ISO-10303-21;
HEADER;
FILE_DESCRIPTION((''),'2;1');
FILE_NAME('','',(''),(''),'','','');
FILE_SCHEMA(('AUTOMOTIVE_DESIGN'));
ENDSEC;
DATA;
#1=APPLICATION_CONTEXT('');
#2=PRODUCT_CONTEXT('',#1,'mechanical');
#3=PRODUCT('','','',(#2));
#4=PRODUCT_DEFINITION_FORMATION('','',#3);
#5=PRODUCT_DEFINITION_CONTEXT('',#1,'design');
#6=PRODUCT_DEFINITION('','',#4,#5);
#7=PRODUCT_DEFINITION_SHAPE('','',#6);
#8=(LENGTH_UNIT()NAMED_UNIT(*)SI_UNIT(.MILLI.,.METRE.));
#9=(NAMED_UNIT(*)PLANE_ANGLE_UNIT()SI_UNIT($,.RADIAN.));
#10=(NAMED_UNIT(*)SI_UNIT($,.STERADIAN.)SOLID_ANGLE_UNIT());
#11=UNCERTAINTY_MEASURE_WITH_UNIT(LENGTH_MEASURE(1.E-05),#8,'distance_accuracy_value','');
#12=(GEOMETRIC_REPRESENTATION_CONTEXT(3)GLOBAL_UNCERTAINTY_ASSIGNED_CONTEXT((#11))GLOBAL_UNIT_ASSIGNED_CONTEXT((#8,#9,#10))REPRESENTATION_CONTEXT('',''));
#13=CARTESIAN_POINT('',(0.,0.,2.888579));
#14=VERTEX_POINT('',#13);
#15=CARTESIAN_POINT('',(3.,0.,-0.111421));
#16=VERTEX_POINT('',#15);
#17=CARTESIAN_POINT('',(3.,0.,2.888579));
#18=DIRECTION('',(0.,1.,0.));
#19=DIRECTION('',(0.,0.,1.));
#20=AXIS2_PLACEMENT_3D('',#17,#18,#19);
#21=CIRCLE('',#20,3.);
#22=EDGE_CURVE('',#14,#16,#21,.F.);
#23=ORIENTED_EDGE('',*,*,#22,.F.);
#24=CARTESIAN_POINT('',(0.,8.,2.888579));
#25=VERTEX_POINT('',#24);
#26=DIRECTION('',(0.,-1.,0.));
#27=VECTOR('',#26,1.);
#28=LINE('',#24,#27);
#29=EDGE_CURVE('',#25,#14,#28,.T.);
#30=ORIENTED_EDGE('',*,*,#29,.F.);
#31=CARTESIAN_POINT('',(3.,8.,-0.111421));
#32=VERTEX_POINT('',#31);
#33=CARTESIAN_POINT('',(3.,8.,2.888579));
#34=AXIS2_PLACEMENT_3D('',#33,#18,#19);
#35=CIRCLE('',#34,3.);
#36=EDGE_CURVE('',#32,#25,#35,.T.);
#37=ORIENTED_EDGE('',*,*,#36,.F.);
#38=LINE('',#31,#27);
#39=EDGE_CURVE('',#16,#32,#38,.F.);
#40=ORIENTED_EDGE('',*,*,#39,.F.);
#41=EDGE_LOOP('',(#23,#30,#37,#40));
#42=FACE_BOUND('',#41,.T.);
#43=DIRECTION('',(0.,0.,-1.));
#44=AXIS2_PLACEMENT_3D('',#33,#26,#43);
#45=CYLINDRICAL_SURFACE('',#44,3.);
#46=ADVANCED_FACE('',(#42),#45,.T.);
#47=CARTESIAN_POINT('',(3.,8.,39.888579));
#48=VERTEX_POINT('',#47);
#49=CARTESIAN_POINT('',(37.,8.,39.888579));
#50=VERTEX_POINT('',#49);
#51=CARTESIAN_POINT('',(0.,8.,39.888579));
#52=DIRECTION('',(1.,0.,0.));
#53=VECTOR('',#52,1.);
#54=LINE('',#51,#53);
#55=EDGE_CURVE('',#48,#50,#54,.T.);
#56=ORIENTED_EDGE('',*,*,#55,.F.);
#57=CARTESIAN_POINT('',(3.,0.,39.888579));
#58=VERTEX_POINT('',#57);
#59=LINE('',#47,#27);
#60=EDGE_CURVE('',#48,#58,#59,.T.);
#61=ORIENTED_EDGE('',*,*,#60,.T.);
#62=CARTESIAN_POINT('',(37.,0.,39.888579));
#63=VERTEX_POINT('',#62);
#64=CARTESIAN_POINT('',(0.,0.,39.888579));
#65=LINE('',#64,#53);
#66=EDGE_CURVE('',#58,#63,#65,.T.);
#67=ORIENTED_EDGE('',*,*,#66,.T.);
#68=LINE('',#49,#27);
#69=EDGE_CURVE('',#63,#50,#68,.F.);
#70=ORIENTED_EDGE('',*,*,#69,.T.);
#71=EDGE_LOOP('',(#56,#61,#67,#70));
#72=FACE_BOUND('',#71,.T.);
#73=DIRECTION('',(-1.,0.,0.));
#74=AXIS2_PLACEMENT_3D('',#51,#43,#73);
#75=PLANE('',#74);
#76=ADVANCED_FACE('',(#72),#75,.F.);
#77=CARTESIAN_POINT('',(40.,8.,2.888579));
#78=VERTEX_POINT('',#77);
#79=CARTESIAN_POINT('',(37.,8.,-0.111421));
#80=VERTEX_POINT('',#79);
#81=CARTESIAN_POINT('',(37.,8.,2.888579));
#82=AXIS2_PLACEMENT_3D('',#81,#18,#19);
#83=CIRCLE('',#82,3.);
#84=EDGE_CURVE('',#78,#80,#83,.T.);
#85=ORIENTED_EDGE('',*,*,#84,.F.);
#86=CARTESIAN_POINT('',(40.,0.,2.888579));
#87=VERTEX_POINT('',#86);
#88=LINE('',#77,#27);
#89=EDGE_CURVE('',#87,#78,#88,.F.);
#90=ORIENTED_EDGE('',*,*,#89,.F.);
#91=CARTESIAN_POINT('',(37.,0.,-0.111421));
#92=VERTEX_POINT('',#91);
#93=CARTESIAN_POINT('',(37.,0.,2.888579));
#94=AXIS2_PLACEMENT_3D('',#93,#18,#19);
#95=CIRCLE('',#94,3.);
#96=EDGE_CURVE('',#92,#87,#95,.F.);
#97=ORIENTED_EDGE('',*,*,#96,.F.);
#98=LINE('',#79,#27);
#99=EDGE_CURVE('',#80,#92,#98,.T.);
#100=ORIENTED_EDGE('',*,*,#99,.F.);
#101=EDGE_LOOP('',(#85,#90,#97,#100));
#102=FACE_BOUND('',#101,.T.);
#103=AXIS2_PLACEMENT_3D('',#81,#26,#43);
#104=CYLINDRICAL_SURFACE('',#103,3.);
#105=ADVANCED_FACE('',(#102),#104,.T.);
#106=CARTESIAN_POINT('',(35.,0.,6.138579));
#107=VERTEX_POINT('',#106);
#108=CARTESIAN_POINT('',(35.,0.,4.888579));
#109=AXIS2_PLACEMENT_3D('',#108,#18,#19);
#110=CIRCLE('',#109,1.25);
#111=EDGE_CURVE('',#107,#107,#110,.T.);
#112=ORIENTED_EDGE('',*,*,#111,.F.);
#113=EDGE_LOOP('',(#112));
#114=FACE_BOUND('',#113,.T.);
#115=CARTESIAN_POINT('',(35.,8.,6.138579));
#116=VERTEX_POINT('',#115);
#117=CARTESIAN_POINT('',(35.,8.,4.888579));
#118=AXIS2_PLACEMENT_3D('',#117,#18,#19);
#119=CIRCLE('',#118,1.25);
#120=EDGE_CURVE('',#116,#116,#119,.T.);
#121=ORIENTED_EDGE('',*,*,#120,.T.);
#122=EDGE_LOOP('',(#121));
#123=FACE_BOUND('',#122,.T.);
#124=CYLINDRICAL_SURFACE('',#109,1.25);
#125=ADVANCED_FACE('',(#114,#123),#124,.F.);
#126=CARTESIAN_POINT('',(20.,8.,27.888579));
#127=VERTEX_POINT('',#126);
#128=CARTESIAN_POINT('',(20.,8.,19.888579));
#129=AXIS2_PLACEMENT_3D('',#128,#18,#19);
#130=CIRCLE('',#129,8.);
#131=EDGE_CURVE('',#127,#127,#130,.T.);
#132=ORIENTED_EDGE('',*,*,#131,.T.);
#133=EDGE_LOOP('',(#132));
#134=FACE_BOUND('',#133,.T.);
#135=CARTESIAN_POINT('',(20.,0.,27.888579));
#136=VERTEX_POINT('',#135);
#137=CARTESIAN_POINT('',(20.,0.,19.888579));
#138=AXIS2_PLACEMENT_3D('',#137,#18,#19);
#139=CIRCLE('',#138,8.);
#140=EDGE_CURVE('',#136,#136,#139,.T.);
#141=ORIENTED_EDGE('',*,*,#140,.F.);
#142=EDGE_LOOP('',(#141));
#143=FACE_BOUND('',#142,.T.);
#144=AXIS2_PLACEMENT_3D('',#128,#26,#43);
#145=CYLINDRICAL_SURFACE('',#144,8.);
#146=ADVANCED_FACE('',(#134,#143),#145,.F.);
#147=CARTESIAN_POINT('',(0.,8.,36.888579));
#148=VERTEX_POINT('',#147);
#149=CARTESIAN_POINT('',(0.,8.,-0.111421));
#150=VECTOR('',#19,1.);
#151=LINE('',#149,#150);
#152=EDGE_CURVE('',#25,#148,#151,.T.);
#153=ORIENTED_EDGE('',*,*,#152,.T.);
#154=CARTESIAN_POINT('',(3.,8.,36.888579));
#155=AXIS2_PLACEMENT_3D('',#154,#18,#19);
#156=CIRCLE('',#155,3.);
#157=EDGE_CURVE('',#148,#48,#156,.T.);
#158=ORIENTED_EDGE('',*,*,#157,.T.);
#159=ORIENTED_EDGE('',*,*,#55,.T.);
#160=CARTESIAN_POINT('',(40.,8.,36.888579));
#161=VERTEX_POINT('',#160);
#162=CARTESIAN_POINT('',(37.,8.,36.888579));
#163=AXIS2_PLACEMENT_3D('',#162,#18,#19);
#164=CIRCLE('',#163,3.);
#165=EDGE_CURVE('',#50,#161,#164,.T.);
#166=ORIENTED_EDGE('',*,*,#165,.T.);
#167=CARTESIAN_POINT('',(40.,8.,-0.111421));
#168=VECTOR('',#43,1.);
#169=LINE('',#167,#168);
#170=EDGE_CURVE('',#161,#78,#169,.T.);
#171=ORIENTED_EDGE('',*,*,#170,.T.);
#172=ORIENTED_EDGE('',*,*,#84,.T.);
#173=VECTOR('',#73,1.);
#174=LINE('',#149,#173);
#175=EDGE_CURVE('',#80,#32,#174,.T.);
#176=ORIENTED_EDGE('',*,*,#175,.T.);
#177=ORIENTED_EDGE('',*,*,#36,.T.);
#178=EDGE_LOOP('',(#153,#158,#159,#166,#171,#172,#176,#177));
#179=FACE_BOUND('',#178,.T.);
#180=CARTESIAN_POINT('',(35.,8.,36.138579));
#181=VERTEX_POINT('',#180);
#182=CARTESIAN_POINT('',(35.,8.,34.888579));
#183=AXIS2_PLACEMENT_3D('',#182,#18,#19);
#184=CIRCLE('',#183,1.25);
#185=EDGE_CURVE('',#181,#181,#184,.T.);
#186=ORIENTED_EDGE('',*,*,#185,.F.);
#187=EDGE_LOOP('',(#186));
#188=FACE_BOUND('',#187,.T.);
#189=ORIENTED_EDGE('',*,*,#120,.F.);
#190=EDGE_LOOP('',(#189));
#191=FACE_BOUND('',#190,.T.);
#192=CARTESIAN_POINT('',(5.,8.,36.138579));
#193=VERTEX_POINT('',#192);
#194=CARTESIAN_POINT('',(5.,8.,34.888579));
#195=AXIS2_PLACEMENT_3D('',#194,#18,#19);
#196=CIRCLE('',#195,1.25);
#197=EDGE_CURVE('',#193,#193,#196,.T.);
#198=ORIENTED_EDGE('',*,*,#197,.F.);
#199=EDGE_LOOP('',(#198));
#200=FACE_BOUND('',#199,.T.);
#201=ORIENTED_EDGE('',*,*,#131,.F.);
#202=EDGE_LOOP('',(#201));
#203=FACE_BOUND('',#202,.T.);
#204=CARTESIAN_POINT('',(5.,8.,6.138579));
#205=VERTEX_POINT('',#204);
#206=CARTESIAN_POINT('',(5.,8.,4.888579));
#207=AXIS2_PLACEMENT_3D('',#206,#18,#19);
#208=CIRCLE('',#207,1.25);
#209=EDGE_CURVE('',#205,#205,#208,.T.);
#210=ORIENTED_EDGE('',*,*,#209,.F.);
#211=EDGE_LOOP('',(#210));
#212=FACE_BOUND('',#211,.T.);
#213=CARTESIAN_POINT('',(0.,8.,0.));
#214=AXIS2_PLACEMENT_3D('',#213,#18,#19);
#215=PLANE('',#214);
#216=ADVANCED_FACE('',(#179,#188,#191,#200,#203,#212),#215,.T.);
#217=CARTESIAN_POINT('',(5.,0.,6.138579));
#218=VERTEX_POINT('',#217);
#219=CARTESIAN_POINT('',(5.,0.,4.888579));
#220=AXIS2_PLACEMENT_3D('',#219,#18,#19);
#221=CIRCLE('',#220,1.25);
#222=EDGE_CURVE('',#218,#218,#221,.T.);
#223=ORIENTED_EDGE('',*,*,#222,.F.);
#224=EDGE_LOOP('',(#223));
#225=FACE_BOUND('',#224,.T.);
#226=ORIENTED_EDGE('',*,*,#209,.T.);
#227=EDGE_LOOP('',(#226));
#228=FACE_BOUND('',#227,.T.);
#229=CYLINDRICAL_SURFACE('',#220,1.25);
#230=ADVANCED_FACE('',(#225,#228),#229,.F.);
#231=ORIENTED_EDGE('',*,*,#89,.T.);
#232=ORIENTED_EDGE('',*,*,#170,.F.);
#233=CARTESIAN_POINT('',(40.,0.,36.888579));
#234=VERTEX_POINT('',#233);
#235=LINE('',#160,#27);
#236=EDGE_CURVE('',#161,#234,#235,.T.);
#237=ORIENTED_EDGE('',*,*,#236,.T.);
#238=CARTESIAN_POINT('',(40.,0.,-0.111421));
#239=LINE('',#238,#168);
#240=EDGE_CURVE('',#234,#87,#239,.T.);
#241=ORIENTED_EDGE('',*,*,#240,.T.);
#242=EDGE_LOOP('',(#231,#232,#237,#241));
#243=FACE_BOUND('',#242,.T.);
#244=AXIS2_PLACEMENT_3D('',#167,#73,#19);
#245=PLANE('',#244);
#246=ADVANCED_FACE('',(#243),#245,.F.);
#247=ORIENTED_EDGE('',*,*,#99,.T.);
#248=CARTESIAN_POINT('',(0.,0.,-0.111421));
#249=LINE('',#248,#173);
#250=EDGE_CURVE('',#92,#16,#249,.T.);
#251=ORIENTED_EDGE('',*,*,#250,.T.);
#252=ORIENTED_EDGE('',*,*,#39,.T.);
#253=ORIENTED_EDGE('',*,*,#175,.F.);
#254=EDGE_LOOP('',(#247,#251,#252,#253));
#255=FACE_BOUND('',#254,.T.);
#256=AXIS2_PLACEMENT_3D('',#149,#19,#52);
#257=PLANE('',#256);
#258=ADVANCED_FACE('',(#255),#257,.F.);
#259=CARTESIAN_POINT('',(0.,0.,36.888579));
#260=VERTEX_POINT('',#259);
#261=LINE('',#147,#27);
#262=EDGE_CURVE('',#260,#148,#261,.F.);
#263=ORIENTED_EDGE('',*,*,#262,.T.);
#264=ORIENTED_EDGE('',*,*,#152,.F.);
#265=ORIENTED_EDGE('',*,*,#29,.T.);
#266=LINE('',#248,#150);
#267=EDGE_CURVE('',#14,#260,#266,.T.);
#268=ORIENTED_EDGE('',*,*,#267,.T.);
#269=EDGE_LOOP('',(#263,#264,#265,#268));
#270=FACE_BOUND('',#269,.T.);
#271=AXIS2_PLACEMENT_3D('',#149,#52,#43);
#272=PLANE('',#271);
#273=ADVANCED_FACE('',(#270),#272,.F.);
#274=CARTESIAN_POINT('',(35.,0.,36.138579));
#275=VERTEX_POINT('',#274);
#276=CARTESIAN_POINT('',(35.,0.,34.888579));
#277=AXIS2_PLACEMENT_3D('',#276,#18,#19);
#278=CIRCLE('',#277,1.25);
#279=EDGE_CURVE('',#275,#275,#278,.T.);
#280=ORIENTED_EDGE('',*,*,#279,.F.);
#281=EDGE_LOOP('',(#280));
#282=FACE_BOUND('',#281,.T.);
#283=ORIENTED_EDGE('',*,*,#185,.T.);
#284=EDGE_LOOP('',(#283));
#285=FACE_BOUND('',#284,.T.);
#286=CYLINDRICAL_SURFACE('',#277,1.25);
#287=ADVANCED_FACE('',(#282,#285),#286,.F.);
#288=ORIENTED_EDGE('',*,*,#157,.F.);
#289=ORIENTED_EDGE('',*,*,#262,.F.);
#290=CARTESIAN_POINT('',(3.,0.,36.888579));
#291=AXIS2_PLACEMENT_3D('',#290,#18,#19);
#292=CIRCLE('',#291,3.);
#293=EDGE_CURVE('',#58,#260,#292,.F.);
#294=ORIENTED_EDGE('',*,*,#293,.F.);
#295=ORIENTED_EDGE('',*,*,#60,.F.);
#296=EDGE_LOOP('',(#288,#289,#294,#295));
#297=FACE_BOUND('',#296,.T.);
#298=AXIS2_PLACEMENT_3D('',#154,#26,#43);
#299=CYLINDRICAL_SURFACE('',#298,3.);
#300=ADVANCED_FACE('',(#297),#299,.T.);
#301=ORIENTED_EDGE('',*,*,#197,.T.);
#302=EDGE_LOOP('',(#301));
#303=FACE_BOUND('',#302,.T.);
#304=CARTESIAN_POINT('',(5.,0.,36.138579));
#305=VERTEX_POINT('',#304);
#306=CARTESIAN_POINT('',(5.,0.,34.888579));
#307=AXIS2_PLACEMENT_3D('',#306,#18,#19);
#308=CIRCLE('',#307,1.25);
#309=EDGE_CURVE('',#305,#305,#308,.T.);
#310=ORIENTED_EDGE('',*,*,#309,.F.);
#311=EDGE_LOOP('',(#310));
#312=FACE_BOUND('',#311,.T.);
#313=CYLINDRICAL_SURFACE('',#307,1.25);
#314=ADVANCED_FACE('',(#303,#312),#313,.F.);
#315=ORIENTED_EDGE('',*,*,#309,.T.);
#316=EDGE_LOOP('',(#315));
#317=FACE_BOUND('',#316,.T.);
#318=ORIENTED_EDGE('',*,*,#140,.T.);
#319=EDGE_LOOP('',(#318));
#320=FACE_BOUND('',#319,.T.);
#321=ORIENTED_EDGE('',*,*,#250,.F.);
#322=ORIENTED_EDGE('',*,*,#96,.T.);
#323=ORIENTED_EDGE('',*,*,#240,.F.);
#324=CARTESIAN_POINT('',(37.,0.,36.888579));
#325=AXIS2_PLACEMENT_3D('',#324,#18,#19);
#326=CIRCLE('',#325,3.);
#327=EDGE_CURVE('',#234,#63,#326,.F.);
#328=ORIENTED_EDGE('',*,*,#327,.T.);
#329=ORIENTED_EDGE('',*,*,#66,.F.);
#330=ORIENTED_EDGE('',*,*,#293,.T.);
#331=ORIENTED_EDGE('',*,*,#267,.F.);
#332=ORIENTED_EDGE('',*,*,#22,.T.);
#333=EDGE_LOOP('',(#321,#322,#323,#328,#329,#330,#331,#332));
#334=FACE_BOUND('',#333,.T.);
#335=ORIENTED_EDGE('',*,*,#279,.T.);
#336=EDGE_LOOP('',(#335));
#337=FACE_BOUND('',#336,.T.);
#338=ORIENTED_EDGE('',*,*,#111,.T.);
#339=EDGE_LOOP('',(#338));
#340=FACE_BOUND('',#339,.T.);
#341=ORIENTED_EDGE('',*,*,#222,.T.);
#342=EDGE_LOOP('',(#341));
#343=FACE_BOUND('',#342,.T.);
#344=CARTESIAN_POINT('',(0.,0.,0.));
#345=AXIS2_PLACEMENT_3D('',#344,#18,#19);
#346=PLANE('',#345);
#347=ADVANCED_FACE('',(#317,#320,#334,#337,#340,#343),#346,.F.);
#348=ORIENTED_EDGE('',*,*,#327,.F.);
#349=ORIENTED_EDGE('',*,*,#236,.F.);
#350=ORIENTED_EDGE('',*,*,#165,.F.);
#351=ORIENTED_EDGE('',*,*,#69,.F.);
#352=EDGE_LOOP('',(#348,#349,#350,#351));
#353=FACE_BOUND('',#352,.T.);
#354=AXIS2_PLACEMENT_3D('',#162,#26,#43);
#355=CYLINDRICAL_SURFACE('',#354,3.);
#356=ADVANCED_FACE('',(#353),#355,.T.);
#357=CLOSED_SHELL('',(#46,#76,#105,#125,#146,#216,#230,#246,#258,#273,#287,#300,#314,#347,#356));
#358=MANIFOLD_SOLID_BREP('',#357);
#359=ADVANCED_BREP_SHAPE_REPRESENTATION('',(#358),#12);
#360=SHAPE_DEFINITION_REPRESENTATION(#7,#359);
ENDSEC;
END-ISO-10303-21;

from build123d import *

# Parameters (mm, degrees)
SKETCH1_W           = 40
SKETCH1_H           = 40
SKETCH1_R           = 8
BOSS_EXTRUDE1_DEPTH = 8
SKETCH12_R          = 1.25
CUT_EXTRUDE1_DEPTH  = 58.053472861
FILLET1_R           = 3


with BuildPart() as part:
    # Sketch1 → Boss-Extrude1 (new body)
    with BuildSketch(Plane(origin=(0, 0, 0), x_dir=(1, 0, 0), z_dir=(0, 1, 0))):
        with Locations((20, -19.888579387)):
            Rectangle(SKETCH1_W, SKETCH1_H)
        with Locations(Location((20, -19.888579387, 0), (0, 0, 270))):
            Circle(SKETCH1_R, mode=Mode.SUBTRACT)
    extrude(amount=BOSS_EXTRUDE1_DEPTH)

    # Sketch12 → Cut-Extrude1 (cut, through all)
    with BuildSketch(Plane(origin=(0, 8, 0), x_dir=(1, 0, 0), z_dir=(0, 1, 0))):
        with Locations(Location((5, -4.888579387, 0), (0, 0, 270))):
            Circle(SKETCH12_R)
        with Locations(Location((35, -4.888579387, 0), (0, 0, 270))):
            Circle(SKETCH12_R)
        with Locations(Location((35, -34.888579387, 0), (0, 0, 270))):
            Circle(SKETCH12_R)
        with Locations(Location((5, -34.888579387, 0), (0, 0, 270))):
            Circle(SKETCH12_R)
    extrude(amount=-CUT_EXTRUDE1_DEPTH, mode=Mode.SUBTRACT)

    # Fillet1
    fillet1_edges = [part.edges().sort_by_distance(p)[0] for p in [
        (0, 4, -0.111420613),
        (40, 4, -0.111420613),
        (40, 4, 39.888579387),
        (0, 4, 39.888579387),
    ]]
    fillet(fillet1_edges, radius=FILLET1_R)


solid = part.part
